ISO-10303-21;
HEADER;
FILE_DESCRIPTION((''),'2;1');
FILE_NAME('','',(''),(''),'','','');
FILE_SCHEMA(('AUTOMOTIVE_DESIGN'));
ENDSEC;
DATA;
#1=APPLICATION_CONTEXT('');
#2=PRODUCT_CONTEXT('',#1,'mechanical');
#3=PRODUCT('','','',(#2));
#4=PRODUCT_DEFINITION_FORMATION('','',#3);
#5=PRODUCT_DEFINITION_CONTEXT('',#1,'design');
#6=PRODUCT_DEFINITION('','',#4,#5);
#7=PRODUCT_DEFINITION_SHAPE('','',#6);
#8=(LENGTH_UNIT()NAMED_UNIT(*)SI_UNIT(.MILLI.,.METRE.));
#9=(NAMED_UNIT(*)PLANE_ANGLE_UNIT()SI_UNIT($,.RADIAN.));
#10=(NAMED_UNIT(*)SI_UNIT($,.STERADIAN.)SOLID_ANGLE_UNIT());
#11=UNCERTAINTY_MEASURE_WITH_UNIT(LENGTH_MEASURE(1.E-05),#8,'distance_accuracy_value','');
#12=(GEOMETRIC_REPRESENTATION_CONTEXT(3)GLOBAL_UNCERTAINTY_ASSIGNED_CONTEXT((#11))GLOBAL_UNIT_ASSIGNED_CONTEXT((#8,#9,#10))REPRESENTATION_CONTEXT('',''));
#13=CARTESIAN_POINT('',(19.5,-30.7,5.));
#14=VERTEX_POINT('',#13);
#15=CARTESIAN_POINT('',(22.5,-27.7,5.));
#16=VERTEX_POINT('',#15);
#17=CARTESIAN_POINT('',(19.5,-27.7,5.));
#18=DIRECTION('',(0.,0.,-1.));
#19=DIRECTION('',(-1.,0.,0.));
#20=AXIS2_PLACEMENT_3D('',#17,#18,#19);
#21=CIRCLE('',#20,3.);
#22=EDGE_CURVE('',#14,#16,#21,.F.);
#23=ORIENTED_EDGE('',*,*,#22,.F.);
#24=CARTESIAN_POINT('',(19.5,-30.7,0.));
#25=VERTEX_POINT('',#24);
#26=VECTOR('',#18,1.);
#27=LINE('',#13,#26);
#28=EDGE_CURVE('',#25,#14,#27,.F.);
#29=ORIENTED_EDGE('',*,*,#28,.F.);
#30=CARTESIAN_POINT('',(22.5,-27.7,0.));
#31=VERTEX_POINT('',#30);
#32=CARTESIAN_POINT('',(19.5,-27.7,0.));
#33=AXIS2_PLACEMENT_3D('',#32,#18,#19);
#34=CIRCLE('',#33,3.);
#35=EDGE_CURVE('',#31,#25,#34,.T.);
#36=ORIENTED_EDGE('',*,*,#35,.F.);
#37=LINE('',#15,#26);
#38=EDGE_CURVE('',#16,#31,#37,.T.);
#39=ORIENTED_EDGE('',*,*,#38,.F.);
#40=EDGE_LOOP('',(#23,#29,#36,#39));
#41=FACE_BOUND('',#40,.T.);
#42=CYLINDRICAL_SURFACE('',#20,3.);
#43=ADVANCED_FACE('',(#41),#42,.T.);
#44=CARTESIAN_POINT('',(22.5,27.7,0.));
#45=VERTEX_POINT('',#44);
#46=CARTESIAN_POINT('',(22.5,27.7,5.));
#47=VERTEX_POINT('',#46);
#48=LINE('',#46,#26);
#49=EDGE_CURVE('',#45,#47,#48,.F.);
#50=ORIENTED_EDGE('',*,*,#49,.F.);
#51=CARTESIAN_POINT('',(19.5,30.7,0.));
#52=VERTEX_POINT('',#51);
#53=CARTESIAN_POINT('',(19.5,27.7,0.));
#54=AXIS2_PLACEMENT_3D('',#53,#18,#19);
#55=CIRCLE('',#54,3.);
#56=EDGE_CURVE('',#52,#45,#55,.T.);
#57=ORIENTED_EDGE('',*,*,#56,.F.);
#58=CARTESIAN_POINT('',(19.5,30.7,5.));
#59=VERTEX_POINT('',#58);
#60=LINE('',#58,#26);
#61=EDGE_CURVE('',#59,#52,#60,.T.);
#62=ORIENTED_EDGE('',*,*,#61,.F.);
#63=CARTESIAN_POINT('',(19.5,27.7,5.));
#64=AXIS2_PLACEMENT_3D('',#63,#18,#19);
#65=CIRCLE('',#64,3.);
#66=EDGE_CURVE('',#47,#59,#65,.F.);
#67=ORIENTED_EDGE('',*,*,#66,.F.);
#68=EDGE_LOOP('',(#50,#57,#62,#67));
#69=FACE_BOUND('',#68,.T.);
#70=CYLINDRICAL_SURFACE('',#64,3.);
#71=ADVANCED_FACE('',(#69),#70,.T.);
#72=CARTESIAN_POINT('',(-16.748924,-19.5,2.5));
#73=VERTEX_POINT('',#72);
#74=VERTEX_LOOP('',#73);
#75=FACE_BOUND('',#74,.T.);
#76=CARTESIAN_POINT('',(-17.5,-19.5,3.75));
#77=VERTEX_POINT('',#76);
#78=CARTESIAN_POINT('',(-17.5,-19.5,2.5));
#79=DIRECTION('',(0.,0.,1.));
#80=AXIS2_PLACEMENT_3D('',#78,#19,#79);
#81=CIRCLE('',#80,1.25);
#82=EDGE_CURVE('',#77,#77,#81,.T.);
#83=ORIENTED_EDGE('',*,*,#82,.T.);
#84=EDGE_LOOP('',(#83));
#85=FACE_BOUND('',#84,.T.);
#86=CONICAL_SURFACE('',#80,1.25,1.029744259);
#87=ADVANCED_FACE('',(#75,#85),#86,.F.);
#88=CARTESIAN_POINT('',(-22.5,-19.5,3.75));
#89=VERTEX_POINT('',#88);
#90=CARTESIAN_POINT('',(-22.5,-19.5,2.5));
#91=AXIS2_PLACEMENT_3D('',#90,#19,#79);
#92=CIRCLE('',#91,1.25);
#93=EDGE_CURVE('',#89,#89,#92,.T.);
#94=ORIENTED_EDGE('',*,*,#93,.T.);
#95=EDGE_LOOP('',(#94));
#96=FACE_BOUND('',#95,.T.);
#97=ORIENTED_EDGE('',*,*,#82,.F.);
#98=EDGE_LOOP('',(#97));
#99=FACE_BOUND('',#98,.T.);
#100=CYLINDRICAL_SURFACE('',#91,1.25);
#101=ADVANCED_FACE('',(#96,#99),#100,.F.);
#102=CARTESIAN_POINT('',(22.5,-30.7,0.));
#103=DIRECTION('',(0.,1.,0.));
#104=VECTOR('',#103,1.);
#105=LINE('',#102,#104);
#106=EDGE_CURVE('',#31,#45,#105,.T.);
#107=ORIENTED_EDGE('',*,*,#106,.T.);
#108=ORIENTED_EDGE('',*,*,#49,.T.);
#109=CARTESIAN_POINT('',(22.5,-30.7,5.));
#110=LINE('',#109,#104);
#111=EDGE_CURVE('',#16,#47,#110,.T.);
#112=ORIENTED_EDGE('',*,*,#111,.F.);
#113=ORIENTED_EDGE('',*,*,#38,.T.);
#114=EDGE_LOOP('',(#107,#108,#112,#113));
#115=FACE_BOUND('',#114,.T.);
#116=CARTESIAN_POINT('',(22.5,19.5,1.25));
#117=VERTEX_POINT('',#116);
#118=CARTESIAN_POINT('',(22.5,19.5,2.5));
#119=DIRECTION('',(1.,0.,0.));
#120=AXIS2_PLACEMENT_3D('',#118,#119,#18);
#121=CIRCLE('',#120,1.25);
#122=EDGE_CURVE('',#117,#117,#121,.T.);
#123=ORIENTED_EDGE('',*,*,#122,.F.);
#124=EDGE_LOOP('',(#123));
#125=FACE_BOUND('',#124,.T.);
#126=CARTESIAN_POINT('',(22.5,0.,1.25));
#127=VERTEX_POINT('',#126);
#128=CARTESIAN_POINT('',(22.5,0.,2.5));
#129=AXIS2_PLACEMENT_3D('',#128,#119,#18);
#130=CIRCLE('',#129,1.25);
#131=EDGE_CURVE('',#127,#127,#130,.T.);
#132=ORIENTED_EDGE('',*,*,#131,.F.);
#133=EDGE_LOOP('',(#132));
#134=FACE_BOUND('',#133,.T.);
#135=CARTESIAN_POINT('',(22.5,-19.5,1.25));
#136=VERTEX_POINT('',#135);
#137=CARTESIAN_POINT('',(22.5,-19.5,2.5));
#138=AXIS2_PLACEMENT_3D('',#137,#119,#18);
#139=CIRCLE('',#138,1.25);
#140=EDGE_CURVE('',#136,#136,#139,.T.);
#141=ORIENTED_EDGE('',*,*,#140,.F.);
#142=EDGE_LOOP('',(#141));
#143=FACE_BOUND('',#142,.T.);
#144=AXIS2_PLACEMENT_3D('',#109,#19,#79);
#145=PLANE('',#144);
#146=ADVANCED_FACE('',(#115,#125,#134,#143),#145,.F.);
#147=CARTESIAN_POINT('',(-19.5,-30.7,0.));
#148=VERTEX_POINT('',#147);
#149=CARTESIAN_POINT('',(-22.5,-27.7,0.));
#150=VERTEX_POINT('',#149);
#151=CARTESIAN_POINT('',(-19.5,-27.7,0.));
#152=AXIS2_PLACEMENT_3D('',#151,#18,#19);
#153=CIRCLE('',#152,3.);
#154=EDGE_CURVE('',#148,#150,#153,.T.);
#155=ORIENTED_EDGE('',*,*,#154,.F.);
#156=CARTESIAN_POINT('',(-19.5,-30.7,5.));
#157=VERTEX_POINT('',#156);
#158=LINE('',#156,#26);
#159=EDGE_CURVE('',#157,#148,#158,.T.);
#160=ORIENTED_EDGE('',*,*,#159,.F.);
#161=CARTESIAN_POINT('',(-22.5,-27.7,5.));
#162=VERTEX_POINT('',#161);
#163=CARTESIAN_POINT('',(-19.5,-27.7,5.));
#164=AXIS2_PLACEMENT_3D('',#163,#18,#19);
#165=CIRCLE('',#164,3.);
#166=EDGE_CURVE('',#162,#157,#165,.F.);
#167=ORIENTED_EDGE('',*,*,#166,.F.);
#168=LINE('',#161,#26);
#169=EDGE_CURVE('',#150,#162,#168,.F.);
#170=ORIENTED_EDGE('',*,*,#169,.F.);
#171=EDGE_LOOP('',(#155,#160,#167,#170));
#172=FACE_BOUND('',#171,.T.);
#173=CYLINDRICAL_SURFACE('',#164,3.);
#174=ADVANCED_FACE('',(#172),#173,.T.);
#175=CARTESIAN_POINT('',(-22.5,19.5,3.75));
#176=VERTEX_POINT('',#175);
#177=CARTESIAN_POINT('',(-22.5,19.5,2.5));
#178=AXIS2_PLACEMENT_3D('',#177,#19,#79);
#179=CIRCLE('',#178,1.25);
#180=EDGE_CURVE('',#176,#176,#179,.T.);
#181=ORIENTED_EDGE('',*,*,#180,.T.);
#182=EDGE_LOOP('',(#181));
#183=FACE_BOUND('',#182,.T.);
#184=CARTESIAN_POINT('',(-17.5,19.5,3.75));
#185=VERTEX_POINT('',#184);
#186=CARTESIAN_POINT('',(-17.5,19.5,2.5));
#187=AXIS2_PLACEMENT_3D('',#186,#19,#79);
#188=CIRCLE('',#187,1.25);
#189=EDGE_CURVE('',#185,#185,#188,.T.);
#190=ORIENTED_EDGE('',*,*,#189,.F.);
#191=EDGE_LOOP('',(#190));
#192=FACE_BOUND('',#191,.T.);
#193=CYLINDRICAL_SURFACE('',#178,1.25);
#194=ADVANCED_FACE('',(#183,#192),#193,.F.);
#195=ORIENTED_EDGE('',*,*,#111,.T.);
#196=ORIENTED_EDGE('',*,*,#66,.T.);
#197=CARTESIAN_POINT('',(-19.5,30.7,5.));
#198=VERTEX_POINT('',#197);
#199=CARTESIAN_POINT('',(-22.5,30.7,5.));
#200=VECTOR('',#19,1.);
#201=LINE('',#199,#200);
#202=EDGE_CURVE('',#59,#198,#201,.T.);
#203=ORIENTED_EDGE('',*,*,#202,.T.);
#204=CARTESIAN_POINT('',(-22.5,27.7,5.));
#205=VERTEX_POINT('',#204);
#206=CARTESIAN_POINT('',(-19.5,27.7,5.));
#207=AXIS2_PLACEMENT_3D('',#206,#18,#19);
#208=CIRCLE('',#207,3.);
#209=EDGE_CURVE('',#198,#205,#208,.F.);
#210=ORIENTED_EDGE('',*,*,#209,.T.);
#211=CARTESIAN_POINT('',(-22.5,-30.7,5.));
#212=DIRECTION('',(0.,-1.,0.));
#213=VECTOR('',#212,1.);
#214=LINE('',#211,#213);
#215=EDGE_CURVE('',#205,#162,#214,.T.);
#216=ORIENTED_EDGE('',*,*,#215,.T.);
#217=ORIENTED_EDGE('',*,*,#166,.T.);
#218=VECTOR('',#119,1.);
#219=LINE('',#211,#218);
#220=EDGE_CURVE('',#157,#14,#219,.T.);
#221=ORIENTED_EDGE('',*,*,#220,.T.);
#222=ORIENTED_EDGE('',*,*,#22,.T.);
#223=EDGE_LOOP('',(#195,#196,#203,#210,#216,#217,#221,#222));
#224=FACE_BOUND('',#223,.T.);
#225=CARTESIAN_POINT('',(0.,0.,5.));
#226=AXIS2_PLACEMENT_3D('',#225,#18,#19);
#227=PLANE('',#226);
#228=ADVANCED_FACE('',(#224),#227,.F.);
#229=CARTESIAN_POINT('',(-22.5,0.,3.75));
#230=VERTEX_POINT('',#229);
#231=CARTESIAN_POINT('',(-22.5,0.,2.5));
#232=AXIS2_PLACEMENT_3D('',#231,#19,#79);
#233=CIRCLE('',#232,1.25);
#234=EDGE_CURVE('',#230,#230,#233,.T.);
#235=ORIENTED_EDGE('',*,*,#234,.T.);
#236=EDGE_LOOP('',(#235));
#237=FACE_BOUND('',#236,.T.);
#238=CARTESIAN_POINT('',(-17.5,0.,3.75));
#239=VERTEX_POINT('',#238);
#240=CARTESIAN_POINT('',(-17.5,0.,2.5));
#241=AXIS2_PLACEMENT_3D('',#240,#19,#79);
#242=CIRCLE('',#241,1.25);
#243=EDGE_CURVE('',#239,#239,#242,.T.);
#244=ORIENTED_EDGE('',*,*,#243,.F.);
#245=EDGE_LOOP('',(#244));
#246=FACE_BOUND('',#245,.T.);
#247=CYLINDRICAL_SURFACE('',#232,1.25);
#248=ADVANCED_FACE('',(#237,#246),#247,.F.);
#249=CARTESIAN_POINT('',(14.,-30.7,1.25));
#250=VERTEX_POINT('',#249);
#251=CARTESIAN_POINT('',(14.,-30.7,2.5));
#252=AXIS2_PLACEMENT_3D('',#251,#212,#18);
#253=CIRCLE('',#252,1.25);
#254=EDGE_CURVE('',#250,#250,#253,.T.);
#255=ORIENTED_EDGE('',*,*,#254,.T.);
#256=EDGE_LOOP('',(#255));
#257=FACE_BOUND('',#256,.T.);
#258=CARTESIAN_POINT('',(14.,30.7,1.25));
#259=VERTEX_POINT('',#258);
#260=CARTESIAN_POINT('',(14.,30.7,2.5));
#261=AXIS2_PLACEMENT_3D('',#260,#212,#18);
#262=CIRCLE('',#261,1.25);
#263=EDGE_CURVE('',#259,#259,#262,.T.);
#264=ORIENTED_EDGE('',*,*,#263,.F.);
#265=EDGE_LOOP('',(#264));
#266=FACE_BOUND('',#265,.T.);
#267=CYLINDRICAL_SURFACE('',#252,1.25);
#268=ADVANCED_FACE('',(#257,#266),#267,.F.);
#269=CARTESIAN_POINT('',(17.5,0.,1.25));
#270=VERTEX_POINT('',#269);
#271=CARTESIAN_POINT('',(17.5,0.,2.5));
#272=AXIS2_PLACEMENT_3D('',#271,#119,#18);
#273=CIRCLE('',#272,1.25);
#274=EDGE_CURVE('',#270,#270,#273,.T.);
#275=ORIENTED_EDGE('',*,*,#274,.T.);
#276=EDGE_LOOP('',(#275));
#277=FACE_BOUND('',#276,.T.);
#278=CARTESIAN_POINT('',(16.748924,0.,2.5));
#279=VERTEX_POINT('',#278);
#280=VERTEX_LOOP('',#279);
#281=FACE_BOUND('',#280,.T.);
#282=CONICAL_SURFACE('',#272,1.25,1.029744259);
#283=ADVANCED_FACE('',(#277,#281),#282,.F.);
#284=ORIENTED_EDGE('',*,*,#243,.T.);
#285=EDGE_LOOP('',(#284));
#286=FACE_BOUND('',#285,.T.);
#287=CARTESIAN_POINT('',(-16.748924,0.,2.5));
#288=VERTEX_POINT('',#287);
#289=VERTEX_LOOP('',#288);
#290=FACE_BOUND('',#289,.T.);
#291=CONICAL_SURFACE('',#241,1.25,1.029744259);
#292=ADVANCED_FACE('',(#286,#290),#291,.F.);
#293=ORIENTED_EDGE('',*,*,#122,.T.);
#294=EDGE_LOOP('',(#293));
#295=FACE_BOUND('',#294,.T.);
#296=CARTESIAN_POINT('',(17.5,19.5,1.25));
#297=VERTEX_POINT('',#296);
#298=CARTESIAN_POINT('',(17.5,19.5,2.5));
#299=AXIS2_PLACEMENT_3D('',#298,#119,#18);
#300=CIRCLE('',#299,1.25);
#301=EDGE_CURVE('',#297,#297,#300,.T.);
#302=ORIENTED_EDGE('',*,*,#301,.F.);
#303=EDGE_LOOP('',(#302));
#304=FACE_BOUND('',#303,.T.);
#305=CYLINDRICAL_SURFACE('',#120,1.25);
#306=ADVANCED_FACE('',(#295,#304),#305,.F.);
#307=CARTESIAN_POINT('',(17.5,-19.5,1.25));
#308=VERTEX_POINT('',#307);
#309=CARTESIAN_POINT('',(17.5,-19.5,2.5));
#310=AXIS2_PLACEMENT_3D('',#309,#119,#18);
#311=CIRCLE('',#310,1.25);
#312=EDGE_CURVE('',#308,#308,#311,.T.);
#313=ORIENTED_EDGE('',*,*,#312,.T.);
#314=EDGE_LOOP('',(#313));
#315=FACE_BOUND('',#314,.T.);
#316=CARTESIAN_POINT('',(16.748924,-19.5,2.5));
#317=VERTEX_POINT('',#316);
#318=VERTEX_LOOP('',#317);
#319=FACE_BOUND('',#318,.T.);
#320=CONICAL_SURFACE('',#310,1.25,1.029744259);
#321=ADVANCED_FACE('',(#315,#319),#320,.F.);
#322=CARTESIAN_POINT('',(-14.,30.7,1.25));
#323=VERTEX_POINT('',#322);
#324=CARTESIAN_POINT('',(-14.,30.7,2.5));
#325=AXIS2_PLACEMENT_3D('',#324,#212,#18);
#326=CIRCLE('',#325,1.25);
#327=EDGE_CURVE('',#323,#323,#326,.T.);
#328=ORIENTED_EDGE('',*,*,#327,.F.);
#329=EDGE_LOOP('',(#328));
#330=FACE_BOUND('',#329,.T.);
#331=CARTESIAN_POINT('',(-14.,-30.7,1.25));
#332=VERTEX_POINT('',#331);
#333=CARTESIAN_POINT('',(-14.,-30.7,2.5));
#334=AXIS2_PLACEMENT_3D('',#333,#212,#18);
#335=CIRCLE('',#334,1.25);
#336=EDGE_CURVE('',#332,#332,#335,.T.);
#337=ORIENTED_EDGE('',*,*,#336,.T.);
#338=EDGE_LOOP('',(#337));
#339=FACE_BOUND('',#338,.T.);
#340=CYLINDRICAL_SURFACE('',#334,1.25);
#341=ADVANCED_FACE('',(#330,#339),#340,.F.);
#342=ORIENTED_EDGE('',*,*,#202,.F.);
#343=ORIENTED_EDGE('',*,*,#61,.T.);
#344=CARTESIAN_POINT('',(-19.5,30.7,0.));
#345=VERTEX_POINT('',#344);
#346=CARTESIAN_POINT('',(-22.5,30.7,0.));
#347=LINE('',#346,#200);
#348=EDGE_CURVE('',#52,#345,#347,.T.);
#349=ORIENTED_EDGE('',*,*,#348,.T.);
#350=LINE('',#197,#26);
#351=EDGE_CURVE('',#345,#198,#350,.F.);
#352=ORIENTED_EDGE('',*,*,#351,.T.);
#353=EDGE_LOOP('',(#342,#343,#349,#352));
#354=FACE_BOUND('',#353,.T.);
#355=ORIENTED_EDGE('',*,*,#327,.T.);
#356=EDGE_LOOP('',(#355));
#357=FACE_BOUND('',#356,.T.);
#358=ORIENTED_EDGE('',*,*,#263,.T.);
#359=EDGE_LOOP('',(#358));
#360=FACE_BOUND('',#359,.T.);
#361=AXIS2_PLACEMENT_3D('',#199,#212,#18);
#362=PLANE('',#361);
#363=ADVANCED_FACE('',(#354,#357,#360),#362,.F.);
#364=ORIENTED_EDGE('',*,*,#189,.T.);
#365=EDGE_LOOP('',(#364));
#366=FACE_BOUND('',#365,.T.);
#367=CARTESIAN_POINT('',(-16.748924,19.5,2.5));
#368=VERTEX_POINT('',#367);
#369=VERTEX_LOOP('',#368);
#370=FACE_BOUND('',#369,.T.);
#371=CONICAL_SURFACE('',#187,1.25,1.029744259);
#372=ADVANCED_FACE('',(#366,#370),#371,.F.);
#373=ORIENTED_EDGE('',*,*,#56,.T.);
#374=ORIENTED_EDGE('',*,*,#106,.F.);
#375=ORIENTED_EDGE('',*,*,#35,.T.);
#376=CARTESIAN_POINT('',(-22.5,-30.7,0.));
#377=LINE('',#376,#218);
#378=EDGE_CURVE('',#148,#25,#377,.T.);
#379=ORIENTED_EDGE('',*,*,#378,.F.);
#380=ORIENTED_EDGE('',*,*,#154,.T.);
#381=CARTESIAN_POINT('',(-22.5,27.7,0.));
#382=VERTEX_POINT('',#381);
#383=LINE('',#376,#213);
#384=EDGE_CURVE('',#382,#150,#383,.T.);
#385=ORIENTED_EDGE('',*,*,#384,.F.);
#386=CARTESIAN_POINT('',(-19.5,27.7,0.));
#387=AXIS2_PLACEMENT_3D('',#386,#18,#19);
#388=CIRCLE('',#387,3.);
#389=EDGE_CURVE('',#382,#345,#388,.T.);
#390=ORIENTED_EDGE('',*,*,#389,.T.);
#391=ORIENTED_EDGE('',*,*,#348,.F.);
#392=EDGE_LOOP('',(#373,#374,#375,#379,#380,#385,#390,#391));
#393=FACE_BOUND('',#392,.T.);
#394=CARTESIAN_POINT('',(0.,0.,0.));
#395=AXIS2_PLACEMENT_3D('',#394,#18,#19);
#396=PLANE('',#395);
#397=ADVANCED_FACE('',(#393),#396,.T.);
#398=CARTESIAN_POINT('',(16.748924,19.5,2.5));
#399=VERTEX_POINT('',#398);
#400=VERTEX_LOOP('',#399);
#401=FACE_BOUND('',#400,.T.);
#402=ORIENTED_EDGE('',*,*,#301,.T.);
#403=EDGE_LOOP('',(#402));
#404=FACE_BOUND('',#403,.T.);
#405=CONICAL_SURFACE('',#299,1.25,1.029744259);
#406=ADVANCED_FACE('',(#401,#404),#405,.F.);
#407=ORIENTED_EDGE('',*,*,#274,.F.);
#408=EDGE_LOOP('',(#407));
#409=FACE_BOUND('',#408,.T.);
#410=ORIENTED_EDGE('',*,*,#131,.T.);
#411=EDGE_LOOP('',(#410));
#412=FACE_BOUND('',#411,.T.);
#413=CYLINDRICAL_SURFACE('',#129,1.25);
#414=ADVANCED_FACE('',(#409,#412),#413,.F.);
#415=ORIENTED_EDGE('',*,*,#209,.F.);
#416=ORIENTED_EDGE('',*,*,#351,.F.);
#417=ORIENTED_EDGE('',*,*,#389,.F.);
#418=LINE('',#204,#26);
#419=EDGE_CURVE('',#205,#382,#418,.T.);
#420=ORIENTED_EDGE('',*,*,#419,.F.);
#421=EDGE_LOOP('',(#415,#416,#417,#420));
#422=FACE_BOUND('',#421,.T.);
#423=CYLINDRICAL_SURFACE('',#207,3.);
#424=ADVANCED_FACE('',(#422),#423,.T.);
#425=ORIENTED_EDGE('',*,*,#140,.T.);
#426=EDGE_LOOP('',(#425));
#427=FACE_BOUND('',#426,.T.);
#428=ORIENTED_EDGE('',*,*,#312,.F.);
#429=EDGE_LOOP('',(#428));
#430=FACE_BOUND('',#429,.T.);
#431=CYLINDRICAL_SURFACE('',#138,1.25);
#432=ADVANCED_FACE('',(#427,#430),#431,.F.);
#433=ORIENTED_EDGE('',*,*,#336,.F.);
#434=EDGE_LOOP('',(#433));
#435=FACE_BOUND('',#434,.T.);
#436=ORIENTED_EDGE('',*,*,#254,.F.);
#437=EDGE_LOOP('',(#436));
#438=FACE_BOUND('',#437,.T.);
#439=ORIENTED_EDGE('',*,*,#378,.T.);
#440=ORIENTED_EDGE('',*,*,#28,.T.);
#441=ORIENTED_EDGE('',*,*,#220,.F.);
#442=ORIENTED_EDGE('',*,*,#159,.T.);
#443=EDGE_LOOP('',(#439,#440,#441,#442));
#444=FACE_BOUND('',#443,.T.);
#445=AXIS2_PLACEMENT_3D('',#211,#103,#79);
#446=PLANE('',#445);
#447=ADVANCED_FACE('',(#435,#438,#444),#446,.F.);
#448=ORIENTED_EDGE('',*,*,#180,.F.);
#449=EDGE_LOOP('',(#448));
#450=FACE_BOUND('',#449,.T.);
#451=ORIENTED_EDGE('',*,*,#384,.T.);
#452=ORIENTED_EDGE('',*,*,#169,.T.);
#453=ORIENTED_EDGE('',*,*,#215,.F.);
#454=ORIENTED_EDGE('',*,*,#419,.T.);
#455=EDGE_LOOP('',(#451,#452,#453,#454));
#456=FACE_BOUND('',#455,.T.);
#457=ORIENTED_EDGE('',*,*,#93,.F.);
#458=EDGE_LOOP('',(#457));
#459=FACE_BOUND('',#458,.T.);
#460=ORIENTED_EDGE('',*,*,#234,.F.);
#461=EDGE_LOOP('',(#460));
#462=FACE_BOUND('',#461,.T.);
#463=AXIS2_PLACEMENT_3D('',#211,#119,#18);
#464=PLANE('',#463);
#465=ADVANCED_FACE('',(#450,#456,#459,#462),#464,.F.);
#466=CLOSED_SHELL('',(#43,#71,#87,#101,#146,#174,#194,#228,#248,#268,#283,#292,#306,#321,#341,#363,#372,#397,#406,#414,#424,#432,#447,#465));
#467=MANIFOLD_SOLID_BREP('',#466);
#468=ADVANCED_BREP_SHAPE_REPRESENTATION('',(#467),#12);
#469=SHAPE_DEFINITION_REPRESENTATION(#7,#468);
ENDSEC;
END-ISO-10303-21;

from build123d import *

# Parameters (mm, degrees)
SKETCH_1_W         = 45
SKETCH_1_H         = 61.4
EXTRUDE_1_DEPTH    = 5
HOLE_WIZARD_M3_3_D = 2.5
HOLE_WIZARD_M3_4_D = 2.5
FILLET_1_R         = 3


with BuildPart() as part:
    # 草图1 → 凸台-拉伸1 (new body)
    with BuildSketch(Plane.XY):
        Rectangle(SKETCH_1_W, SKETCH_1_H)
    extrude(amount=EXTRUDE_1_DEPTH)

    # 草图3 → M3 螺纹孔1 (revolve, cut)
    with BuildSketch(Plane(origin=(-22.5, 0, 2.5), x_dir=(0, 0, 1), z_dir=(0, 1, 0))):
        Polygon((0, 0), (0, 5.751075774), (1.25, 5), (1.25, 0), align=None)
    hole_wizard_m3_1 = revolve(axis=Axis((-28.85, 0, 2.5), (1, 0, 0)), mode=Mode.SUBTRACT)

    # 草图5 → M3 螺纹孔2 (revolve, cut)
    with BuildSketch(Plane(origin=(-22.5, 19.5, 2.5), x_dir=(0, 0, 1), z_dir=(0, 1, 0))):
        Polygon((0, 0), (0, 5.751075774), (1.25, 5), (1.25, 0), align=None)
    hole_wizard_m3_2 = revolve(axis=Axis((-28.85, 19.5, 2.5), (1, 0, 0)), mode=Mode.SUBTRACT)

    # 镜向1: M3 螺纹孔2 across plane
    add(hole_wizard_m3_2.mirror(Plane.ZX), mode=Mode.SUBTRACT)

    # M3 螺纹孔3 (through all)
    with Locations(Plane(origin=(0, -30.7, 0), x_dir=(-1, 0, 0), z_dir=(0, -1, 0))):
        with Locations((-14, -2.5)):
            hole_wizard_m3_3 = Hole(HOLE_WIZARD_M3_3_D / 2)

    # 镜向2: M3 螺纹孔3 across plane
    add(hole_wizard_m3_3.mirror(Plane(origin=(0, 0, 0), x_dir=(0, 0, 1), z_dir=(1, 0, 0))), mode=Mode.SUBTRACT)

    # 镜向3: M3 螺纹孔2, M3 螺纹孔1 across plane
    add(hole_wizard_m3_2.mirror(Plane(origin=(0, 0, 0), x_dir=(0, 0, 1), z_dir=(1, 0, 0))), mode=Mode.SUBTRACT)
    add(hole_wizard_m3_1.mirror(Plane(origin=(0, 0, 0), x_dir=(0, 0, 1), z_dir=(1, 0, 0))), mode=Mode.SUBTRACT)

    # 镜向3 copy 1 sketch → 镜向3 copy 1 (revolve, cut)
    with BuildSketch(Plane(origin=(22.5, -19.5, 2.5), x_dir=(0, 0, 1), z_dir=(0, -1, 0))):
        Polygon((0, 0), (0, 5.751075774), (1.25, 5), (1.25, 0), align=None)
    revolve(axis=Axis((28.85, -19.5, 2.5), (-1, 0, 0)), mode=Mode.SUBTRACT)

    # M3 螺纹孔4 (through all)
    with Locations(Plane(origin=(0, 30.7, 0), x_dir=(1, 0, 0), z_dir=(0, 1, 0))):
        with Locations((-14, -2.5), (14, -2.5)):
            Hole(HOLE_WIZARD_M3_4_D / 2)

    # 圆角1
    fillet_1_edges = [part.edges().sort_by_distance(p)[0] for p in [
        (22.5, -30.7, 2.5),
        (-22.5, -30.7, 2.5),
        (-22.5, 30.7, 2.5),
        (22.5, 30.7, 2.5),
    ]]
    fillet(fillet_1_edges, radius=FILLET_1_R)


solid = part.part
